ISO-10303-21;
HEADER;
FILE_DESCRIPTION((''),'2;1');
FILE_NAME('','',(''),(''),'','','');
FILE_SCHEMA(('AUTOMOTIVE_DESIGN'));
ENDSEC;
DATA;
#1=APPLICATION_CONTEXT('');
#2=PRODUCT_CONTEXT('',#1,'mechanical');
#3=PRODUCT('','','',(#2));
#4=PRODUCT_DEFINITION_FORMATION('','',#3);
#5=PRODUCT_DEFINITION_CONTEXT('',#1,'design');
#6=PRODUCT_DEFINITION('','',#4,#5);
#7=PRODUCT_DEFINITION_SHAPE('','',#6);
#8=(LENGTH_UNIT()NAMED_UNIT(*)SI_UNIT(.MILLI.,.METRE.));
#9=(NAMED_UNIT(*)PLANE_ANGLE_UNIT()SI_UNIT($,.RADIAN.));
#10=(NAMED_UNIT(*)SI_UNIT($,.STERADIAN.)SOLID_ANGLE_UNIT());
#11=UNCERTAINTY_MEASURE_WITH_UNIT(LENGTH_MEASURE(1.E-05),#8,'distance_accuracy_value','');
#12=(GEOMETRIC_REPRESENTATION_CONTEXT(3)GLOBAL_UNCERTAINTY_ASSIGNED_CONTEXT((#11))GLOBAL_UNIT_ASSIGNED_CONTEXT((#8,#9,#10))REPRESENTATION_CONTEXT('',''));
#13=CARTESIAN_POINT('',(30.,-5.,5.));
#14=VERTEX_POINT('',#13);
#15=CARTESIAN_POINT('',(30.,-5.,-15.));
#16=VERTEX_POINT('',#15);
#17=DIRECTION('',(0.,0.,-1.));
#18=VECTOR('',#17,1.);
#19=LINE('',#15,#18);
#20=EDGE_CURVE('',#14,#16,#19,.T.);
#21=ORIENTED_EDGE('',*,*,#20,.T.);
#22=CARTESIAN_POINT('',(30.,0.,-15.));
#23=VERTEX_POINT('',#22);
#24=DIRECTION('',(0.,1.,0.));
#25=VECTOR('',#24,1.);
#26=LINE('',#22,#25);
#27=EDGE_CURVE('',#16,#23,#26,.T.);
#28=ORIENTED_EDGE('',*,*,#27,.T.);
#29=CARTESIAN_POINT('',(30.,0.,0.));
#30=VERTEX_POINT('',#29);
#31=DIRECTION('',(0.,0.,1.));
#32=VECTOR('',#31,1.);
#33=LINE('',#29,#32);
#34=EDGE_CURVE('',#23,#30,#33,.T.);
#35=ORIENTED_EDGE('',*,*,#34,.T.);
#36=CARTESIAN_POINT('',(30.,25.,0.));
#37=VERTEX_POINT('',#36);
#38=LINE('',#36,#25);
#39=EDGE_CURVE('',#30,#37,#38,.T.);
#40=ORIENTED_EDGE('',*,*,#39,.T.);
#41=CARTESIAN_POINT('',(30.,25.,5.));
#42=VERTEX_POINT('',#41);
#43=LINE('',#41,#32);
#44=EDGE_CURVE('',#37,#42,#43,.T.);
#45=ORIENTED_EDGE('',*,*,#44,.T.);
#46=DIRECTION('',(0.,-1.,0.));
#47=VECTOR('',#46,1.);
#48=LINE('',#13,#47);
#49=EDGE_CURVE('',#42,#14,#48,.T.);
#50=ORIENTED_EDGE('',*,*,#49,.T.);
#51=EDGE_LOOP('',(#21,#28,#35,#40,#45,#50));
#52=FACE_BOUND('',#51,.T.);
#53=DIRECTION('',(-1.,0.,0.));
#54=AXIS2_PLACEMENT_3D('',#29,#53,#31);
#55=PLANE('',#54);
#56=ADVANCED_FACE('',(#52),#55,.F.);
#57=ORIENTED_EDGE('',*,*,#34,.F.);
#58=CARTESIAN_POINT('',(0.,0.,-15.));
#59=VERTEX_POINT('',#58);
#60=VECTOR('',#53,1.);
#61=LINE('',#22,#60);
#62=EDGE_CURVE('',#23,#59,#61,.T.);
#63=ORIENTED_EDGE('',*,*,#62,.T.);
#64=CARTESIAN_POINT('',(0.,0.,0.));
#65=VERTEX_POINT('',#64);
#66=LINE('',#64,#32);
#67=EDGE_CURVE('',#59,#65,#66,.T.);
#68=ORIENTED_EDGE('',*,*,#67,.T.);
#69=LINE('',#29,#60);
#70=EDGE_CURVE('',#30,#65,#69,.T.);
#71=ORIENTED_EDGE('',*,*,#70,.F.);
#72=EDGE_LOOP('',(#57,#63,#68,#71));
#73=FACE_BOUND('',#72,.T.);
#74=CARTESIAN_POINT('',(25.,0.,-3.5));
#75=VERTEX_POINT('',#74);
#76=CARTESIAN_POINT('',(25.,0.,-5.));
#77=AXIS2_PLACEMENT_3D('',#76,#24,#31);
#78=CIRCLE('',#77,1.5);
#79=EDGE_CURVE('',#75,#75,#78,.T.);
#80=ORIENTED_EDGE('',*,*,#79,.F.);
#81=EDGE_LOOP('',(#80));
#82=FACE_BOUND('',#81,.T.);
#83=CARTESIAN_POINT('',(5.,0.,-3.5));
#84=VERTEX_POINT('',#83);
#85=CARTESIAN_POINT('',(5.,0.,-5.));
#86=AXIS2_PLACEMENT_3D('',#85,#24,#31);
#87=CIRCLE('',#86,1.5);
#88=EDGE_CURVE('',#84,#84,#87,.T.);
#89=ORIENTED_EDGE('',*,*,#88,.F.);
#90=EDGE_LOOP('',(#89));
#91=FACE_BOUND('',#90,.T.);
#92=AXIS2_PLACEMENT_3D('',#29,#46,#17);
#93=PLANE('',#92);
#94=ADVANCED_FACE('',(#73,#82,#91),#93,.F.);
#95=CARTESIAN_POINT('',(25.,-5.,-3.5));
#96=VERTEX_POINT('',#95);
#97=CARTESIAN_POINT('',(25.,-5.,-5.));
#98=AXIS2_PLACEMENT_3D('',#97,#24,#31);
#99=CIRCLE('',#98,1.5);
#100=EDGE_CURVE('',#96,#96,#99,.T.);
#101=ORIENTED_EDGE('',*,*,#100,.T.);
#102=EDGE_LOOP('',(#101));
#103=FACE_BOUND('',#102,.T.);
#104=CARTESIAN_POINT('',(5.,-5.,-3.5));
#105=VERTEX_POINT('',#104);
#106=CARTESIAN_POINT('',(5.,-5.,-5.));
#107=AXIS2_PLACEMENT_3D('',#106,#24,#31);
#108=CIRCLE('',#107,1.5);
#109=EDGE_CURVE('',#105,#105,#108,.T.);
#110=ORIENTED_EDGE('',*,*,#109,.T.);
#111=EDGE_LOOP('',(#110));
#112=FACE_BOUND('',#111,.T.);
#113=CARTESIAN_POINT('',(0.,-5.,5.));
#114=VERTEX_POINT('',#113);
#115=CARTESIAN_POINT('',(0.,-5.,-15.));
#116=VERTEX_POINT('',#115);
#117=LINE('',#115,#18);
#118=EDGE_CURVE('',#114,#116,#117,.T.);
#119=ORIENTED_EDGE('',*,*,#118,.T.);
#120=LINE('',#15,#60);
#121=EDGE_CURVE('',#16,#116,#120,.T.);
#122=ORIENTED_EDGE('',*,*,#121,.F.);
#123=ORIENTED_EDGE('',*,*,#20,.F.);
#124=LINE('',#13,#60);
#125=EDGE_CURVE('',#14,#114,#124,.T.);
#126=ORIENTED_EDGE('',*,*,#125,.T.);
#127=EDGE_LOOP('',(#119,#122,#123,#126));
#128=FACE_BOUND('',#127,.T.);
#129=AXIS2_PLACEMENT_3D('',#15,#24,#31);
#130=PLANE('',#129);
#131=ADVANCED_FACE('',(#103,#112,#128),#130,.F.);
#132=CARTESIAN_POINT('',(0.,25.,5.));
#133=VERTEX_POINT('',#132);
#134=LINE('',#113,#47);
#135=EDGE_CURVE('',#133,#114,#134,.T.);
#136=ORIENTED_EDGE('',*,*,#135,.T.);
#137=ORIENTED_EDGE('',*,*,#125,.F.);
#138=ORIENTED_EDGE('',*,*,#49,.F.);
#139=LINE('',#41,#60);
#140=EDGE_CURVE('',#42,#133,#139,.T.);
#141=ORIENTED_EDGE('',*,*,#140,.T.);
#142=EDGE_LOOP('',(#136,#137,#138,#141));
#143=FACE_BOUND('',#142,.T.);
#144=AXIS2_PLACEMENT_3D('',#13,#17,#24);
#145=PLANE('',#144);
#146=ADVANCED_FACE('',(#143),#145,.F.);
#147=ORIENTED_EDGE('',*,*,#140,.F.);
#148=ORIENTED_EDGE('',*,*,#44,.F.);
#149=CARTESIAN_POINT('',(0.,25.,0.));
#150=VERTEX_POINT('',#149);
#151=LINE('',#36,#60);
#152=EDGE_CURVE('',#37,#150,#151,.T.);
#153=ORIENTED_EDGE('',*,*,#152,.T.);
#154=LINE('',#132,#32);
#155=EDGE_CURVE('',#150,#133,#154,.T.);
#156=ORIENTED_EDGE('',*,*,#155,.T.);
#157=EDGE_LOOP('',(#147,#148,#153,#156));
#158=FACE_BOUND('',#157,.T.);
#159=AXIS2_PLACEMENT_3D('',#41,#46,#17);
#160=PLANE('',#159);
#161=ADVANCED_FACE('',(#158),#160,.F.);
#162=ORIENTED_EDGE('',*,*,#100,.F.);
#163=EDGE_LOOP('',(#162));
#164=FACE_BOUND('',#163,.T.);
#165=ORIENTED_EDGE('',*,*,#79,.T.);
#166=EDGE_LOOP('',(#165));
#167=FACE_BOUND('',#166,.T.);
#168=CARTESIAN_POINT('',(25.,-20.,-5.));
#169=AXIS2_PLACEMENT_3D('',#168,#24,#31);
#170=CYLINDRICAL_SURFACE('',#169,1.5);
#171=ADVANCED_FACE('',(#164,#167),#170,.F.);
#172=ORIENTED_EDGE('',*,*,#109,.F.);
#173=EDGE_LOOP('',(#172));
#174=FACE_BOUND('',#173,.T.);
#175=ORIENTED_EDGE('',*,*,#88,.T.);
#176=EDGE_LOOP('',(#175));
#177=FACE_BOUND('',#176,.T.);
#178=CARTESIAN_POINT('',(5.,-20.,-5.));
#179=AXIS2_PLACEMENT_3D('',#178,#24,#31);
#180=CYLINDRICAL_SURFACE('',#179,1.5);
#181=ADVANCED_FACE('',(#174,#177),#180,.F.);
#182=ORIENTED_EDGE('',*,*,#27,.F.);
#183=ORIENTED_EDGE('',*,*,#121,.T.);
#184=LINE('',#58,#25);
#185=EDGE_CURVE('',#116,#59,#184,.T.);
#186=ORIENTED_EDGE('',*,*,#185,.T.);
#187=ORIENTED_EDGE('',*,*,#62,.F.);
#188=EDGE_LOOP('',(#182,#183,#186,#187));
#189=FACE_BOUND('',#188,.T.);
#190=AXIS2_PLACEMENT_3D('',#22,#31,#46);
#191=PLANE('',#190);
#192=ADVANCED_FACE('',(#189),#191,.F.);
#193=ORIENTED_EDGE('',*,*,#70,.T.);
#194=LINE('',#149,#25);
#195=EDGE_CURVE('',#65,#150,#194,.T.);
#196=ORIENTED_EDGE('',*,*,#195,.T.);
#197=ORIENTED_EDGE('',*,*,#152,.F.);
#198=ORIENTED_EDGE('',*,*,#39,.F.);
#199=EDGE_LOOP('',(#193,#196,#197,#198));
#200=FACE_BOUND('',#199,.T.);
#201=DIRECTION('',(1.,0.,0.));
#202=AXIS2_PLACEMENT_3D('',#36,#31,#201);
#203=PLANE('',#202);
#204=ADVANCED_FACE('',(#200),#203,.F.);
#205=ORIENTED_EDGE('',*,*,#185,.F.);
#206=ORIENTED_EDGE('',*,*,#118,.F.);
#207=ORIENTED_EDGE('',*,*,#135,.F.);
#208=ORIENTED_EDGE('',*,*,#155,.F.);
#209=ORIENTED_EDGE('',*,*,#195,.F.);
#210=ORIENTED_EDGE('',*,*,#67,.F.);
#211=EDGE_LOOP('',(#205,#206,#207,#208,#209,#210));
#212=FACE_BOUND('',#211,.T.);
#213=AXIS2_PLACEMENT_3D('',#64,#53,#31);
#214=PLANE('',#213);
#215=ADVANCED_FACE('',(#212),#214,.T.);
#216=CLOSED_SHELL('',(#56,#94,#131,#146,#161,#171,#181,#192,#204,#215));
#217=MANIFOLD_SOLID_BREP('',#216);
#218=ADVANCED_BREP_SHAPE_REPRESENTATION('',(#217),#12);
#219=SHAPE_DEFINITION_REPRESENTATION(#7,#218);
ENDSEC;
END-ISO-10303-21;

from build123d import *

# Parameters (mm, degrees)
EXTRUDE_1_DEPTH     = 30
SKETCH_2_R          = 1.5
CUT_EXTRUDE_1_DEPTH = 20


with BuildPart() as part:
    # 草图1 → 凸台-拉伸1 (new body)
    with BuildSketch(Plane(origin=(0, 0, 0), x_dir=(0, 0, -1), z_dir=(1, 0, 0))):
        Polygon((0, 25), (0, 0), (15, 0), (15, -5), (-5, -5), (-5, 25), align=None)
    extrude(amount=EXTRUDE_1_DEPTH)

    # 草图2 → 切除-拉伸1 (cut)
    with BuildSketch(Plane(origin=(0, 0, 0), x_dir=(1, 0, 0), z_dir=(0, 1, 0))):
        with Locations(Location((5, 5, 0), (0, 0, 270))):
            Circle(SKETCH_2_R)
        with Locations(Location((25, 5, 0), (0, 0, 270))):
            Circle(SKETCH_2_R)
    extrude(amount=-CUT_EXTRUDE_1_DEPTH, mode=Mode.SUBTRACT)


solid = part.part
